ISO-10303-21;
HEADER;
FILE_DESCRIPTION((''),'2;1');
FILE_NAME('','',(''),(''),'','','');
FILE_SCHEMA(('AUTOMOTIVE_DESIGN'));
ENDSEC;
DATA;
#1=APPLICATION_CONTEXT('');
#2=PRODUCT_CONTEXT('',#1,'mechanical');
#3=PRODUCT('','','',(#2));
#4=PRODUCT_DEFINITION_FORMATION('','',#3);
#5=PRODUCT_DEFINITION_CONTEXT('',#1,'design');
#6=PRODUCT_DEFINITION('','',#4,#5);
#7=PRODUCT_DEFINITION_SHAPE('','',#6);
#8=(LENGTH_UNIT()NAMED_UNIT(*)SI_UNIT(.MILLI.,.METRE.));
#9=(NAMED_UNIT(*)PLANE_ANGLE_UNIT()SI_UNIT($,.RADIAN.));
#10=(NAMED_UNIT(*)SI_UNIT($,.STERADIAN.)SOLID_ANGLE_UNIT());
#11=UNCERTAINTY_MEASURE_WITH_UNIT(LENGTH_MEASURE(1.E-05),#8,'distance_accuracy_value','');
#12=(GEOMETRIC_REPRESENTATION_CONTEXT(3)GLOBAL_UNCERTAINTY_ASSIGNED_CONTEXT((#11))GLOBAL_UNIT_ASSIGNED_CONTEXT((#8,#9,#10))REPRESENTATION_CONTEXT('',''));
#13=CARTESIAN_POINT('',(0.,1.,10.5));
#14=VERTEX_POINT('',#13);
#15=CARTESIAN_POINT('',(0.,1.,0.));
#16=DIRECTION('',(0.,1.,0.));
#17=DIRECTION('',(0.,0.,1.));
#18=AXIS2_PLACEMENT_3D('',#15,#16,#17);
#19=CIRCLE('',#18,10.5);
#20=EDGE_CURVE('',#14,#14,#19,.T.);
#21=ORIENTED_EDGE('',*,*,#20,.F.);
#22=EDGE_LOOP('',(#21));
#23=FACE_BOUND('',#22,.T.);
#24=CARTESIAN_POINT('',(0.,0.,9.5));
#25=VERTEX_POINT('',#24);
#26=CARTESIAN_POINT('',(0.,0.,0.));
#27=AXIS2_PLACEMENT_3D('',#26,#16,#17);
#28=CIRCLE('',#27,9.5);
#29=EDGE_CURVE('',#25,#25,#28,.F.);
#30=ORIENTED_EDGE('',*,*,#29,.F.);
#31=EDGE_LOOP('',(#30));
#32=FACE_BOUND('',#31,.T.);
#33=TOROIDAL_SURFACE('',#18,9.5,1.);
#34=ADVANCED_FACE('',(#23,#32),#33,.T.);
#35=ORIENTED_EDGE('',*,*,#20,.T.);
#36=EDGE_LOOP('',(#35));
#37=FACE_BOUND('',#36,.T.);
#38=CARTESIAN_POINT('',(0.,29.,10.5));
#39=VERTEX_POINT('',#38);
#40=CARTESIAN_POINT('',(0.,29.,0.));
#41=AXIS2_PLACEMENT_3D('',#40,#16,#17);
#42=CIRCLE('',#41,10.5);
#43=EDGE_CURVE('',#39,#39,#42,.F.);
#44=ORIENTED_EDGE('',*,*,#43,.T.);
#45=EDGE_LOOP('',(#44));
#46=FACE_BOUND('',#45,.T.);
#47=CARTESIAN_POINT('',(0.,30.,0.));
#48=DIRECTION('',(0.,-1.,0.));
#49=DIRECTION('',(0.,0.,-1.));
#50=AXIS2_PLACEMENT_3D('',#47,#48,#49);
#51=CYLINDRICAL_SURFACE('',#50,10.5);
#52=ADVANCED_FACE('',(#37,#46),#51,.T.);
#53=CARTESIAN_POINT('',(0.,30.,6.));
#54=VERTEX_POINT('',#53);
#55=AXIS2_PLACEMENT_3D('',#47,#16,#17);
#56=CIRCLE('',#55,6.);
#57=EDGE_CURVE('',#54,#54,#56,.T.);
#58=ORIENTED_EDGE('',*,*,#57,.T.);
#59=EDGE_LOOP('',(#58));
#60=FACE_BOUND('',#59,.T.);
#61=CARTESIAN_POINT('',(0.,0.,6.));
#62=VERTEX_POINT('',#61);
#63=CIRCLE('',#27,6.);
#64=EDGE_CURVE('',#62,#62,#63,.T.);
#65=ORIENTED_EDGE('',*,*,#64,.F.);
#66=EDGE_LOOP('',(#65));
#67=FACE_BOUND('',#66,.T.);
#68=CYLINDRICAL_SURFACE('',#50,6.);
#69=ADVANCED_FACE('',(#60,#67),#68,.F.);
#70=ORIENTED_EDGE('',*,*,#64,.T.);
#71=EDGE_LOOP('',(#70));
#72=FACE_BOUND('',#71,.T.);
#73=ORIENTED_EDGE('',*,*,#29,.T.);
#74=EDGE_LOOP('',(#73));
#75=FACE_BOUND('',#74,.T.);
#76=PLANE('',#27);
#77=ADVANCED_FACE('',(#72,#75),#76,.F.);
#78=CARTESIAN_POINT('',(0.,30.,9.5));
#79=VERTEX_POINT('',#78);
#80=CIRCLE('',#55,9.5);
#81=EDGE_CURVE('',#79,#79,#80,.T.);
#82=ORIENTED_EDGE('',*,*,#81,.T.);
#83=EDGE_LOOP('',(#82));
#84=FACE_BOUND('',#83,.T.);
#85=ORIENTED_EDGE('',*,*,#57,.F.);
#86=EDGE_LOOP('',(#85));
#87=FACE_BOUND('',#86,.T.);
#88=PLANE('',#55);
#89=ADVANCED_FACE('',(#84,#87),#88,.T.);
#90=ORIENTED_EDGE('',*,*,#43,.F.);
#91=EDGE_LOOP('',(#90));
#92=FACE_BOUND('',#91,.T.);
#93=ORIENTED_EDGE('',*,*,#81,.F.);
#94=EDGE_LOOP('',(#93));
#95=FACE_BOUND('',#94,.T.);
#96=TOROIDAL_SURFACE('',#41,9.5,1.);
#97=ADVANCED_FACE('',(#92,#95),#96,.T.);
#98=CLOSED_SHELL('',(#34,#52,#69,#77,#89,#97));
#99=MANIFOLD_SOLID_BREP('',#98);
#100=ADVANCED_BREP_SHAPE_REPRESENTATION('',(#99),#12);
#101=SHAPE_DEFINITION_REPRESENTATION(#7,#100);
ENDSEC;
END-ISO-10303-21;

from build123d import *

# Parameters (mm, degrees)
SKETCH1_R           = 10.5
SKETCH1_R_2         = 6
BOSS_EXTRUDE1_DEPTH = 30
FILLET1_R           = 1


with BuildPart() as part:
    # Sketch1 → Boss-Extrude1 (new body)
    with BuildSketch(Plane(origin=(0, 0, 0), x_dir=(1, 0, 0), z_dir=(0, 1, 0))):
        with Locations(Location((0, 0, 0), (0, 0, 270))):
            Circle(SKETCH1_R)
        with Locations(Location((0, 0, 0), (0, 0, 270))):
            Circle(SKETCH1_R_2, mode=Mode.SUBTRACT)
    extrude(amount=BOSS_EXTRUDE1_DEPTH)

    # Fillet1
    fillet1_edges = [part.edges().sort_by_distance(p)[0] for p in [
        (0, 0, -10.5),
        (0, 30, -10.5),
    ]]
    fillet(fillet1_edges, radius=FILLET1_R)


solid = part.part
